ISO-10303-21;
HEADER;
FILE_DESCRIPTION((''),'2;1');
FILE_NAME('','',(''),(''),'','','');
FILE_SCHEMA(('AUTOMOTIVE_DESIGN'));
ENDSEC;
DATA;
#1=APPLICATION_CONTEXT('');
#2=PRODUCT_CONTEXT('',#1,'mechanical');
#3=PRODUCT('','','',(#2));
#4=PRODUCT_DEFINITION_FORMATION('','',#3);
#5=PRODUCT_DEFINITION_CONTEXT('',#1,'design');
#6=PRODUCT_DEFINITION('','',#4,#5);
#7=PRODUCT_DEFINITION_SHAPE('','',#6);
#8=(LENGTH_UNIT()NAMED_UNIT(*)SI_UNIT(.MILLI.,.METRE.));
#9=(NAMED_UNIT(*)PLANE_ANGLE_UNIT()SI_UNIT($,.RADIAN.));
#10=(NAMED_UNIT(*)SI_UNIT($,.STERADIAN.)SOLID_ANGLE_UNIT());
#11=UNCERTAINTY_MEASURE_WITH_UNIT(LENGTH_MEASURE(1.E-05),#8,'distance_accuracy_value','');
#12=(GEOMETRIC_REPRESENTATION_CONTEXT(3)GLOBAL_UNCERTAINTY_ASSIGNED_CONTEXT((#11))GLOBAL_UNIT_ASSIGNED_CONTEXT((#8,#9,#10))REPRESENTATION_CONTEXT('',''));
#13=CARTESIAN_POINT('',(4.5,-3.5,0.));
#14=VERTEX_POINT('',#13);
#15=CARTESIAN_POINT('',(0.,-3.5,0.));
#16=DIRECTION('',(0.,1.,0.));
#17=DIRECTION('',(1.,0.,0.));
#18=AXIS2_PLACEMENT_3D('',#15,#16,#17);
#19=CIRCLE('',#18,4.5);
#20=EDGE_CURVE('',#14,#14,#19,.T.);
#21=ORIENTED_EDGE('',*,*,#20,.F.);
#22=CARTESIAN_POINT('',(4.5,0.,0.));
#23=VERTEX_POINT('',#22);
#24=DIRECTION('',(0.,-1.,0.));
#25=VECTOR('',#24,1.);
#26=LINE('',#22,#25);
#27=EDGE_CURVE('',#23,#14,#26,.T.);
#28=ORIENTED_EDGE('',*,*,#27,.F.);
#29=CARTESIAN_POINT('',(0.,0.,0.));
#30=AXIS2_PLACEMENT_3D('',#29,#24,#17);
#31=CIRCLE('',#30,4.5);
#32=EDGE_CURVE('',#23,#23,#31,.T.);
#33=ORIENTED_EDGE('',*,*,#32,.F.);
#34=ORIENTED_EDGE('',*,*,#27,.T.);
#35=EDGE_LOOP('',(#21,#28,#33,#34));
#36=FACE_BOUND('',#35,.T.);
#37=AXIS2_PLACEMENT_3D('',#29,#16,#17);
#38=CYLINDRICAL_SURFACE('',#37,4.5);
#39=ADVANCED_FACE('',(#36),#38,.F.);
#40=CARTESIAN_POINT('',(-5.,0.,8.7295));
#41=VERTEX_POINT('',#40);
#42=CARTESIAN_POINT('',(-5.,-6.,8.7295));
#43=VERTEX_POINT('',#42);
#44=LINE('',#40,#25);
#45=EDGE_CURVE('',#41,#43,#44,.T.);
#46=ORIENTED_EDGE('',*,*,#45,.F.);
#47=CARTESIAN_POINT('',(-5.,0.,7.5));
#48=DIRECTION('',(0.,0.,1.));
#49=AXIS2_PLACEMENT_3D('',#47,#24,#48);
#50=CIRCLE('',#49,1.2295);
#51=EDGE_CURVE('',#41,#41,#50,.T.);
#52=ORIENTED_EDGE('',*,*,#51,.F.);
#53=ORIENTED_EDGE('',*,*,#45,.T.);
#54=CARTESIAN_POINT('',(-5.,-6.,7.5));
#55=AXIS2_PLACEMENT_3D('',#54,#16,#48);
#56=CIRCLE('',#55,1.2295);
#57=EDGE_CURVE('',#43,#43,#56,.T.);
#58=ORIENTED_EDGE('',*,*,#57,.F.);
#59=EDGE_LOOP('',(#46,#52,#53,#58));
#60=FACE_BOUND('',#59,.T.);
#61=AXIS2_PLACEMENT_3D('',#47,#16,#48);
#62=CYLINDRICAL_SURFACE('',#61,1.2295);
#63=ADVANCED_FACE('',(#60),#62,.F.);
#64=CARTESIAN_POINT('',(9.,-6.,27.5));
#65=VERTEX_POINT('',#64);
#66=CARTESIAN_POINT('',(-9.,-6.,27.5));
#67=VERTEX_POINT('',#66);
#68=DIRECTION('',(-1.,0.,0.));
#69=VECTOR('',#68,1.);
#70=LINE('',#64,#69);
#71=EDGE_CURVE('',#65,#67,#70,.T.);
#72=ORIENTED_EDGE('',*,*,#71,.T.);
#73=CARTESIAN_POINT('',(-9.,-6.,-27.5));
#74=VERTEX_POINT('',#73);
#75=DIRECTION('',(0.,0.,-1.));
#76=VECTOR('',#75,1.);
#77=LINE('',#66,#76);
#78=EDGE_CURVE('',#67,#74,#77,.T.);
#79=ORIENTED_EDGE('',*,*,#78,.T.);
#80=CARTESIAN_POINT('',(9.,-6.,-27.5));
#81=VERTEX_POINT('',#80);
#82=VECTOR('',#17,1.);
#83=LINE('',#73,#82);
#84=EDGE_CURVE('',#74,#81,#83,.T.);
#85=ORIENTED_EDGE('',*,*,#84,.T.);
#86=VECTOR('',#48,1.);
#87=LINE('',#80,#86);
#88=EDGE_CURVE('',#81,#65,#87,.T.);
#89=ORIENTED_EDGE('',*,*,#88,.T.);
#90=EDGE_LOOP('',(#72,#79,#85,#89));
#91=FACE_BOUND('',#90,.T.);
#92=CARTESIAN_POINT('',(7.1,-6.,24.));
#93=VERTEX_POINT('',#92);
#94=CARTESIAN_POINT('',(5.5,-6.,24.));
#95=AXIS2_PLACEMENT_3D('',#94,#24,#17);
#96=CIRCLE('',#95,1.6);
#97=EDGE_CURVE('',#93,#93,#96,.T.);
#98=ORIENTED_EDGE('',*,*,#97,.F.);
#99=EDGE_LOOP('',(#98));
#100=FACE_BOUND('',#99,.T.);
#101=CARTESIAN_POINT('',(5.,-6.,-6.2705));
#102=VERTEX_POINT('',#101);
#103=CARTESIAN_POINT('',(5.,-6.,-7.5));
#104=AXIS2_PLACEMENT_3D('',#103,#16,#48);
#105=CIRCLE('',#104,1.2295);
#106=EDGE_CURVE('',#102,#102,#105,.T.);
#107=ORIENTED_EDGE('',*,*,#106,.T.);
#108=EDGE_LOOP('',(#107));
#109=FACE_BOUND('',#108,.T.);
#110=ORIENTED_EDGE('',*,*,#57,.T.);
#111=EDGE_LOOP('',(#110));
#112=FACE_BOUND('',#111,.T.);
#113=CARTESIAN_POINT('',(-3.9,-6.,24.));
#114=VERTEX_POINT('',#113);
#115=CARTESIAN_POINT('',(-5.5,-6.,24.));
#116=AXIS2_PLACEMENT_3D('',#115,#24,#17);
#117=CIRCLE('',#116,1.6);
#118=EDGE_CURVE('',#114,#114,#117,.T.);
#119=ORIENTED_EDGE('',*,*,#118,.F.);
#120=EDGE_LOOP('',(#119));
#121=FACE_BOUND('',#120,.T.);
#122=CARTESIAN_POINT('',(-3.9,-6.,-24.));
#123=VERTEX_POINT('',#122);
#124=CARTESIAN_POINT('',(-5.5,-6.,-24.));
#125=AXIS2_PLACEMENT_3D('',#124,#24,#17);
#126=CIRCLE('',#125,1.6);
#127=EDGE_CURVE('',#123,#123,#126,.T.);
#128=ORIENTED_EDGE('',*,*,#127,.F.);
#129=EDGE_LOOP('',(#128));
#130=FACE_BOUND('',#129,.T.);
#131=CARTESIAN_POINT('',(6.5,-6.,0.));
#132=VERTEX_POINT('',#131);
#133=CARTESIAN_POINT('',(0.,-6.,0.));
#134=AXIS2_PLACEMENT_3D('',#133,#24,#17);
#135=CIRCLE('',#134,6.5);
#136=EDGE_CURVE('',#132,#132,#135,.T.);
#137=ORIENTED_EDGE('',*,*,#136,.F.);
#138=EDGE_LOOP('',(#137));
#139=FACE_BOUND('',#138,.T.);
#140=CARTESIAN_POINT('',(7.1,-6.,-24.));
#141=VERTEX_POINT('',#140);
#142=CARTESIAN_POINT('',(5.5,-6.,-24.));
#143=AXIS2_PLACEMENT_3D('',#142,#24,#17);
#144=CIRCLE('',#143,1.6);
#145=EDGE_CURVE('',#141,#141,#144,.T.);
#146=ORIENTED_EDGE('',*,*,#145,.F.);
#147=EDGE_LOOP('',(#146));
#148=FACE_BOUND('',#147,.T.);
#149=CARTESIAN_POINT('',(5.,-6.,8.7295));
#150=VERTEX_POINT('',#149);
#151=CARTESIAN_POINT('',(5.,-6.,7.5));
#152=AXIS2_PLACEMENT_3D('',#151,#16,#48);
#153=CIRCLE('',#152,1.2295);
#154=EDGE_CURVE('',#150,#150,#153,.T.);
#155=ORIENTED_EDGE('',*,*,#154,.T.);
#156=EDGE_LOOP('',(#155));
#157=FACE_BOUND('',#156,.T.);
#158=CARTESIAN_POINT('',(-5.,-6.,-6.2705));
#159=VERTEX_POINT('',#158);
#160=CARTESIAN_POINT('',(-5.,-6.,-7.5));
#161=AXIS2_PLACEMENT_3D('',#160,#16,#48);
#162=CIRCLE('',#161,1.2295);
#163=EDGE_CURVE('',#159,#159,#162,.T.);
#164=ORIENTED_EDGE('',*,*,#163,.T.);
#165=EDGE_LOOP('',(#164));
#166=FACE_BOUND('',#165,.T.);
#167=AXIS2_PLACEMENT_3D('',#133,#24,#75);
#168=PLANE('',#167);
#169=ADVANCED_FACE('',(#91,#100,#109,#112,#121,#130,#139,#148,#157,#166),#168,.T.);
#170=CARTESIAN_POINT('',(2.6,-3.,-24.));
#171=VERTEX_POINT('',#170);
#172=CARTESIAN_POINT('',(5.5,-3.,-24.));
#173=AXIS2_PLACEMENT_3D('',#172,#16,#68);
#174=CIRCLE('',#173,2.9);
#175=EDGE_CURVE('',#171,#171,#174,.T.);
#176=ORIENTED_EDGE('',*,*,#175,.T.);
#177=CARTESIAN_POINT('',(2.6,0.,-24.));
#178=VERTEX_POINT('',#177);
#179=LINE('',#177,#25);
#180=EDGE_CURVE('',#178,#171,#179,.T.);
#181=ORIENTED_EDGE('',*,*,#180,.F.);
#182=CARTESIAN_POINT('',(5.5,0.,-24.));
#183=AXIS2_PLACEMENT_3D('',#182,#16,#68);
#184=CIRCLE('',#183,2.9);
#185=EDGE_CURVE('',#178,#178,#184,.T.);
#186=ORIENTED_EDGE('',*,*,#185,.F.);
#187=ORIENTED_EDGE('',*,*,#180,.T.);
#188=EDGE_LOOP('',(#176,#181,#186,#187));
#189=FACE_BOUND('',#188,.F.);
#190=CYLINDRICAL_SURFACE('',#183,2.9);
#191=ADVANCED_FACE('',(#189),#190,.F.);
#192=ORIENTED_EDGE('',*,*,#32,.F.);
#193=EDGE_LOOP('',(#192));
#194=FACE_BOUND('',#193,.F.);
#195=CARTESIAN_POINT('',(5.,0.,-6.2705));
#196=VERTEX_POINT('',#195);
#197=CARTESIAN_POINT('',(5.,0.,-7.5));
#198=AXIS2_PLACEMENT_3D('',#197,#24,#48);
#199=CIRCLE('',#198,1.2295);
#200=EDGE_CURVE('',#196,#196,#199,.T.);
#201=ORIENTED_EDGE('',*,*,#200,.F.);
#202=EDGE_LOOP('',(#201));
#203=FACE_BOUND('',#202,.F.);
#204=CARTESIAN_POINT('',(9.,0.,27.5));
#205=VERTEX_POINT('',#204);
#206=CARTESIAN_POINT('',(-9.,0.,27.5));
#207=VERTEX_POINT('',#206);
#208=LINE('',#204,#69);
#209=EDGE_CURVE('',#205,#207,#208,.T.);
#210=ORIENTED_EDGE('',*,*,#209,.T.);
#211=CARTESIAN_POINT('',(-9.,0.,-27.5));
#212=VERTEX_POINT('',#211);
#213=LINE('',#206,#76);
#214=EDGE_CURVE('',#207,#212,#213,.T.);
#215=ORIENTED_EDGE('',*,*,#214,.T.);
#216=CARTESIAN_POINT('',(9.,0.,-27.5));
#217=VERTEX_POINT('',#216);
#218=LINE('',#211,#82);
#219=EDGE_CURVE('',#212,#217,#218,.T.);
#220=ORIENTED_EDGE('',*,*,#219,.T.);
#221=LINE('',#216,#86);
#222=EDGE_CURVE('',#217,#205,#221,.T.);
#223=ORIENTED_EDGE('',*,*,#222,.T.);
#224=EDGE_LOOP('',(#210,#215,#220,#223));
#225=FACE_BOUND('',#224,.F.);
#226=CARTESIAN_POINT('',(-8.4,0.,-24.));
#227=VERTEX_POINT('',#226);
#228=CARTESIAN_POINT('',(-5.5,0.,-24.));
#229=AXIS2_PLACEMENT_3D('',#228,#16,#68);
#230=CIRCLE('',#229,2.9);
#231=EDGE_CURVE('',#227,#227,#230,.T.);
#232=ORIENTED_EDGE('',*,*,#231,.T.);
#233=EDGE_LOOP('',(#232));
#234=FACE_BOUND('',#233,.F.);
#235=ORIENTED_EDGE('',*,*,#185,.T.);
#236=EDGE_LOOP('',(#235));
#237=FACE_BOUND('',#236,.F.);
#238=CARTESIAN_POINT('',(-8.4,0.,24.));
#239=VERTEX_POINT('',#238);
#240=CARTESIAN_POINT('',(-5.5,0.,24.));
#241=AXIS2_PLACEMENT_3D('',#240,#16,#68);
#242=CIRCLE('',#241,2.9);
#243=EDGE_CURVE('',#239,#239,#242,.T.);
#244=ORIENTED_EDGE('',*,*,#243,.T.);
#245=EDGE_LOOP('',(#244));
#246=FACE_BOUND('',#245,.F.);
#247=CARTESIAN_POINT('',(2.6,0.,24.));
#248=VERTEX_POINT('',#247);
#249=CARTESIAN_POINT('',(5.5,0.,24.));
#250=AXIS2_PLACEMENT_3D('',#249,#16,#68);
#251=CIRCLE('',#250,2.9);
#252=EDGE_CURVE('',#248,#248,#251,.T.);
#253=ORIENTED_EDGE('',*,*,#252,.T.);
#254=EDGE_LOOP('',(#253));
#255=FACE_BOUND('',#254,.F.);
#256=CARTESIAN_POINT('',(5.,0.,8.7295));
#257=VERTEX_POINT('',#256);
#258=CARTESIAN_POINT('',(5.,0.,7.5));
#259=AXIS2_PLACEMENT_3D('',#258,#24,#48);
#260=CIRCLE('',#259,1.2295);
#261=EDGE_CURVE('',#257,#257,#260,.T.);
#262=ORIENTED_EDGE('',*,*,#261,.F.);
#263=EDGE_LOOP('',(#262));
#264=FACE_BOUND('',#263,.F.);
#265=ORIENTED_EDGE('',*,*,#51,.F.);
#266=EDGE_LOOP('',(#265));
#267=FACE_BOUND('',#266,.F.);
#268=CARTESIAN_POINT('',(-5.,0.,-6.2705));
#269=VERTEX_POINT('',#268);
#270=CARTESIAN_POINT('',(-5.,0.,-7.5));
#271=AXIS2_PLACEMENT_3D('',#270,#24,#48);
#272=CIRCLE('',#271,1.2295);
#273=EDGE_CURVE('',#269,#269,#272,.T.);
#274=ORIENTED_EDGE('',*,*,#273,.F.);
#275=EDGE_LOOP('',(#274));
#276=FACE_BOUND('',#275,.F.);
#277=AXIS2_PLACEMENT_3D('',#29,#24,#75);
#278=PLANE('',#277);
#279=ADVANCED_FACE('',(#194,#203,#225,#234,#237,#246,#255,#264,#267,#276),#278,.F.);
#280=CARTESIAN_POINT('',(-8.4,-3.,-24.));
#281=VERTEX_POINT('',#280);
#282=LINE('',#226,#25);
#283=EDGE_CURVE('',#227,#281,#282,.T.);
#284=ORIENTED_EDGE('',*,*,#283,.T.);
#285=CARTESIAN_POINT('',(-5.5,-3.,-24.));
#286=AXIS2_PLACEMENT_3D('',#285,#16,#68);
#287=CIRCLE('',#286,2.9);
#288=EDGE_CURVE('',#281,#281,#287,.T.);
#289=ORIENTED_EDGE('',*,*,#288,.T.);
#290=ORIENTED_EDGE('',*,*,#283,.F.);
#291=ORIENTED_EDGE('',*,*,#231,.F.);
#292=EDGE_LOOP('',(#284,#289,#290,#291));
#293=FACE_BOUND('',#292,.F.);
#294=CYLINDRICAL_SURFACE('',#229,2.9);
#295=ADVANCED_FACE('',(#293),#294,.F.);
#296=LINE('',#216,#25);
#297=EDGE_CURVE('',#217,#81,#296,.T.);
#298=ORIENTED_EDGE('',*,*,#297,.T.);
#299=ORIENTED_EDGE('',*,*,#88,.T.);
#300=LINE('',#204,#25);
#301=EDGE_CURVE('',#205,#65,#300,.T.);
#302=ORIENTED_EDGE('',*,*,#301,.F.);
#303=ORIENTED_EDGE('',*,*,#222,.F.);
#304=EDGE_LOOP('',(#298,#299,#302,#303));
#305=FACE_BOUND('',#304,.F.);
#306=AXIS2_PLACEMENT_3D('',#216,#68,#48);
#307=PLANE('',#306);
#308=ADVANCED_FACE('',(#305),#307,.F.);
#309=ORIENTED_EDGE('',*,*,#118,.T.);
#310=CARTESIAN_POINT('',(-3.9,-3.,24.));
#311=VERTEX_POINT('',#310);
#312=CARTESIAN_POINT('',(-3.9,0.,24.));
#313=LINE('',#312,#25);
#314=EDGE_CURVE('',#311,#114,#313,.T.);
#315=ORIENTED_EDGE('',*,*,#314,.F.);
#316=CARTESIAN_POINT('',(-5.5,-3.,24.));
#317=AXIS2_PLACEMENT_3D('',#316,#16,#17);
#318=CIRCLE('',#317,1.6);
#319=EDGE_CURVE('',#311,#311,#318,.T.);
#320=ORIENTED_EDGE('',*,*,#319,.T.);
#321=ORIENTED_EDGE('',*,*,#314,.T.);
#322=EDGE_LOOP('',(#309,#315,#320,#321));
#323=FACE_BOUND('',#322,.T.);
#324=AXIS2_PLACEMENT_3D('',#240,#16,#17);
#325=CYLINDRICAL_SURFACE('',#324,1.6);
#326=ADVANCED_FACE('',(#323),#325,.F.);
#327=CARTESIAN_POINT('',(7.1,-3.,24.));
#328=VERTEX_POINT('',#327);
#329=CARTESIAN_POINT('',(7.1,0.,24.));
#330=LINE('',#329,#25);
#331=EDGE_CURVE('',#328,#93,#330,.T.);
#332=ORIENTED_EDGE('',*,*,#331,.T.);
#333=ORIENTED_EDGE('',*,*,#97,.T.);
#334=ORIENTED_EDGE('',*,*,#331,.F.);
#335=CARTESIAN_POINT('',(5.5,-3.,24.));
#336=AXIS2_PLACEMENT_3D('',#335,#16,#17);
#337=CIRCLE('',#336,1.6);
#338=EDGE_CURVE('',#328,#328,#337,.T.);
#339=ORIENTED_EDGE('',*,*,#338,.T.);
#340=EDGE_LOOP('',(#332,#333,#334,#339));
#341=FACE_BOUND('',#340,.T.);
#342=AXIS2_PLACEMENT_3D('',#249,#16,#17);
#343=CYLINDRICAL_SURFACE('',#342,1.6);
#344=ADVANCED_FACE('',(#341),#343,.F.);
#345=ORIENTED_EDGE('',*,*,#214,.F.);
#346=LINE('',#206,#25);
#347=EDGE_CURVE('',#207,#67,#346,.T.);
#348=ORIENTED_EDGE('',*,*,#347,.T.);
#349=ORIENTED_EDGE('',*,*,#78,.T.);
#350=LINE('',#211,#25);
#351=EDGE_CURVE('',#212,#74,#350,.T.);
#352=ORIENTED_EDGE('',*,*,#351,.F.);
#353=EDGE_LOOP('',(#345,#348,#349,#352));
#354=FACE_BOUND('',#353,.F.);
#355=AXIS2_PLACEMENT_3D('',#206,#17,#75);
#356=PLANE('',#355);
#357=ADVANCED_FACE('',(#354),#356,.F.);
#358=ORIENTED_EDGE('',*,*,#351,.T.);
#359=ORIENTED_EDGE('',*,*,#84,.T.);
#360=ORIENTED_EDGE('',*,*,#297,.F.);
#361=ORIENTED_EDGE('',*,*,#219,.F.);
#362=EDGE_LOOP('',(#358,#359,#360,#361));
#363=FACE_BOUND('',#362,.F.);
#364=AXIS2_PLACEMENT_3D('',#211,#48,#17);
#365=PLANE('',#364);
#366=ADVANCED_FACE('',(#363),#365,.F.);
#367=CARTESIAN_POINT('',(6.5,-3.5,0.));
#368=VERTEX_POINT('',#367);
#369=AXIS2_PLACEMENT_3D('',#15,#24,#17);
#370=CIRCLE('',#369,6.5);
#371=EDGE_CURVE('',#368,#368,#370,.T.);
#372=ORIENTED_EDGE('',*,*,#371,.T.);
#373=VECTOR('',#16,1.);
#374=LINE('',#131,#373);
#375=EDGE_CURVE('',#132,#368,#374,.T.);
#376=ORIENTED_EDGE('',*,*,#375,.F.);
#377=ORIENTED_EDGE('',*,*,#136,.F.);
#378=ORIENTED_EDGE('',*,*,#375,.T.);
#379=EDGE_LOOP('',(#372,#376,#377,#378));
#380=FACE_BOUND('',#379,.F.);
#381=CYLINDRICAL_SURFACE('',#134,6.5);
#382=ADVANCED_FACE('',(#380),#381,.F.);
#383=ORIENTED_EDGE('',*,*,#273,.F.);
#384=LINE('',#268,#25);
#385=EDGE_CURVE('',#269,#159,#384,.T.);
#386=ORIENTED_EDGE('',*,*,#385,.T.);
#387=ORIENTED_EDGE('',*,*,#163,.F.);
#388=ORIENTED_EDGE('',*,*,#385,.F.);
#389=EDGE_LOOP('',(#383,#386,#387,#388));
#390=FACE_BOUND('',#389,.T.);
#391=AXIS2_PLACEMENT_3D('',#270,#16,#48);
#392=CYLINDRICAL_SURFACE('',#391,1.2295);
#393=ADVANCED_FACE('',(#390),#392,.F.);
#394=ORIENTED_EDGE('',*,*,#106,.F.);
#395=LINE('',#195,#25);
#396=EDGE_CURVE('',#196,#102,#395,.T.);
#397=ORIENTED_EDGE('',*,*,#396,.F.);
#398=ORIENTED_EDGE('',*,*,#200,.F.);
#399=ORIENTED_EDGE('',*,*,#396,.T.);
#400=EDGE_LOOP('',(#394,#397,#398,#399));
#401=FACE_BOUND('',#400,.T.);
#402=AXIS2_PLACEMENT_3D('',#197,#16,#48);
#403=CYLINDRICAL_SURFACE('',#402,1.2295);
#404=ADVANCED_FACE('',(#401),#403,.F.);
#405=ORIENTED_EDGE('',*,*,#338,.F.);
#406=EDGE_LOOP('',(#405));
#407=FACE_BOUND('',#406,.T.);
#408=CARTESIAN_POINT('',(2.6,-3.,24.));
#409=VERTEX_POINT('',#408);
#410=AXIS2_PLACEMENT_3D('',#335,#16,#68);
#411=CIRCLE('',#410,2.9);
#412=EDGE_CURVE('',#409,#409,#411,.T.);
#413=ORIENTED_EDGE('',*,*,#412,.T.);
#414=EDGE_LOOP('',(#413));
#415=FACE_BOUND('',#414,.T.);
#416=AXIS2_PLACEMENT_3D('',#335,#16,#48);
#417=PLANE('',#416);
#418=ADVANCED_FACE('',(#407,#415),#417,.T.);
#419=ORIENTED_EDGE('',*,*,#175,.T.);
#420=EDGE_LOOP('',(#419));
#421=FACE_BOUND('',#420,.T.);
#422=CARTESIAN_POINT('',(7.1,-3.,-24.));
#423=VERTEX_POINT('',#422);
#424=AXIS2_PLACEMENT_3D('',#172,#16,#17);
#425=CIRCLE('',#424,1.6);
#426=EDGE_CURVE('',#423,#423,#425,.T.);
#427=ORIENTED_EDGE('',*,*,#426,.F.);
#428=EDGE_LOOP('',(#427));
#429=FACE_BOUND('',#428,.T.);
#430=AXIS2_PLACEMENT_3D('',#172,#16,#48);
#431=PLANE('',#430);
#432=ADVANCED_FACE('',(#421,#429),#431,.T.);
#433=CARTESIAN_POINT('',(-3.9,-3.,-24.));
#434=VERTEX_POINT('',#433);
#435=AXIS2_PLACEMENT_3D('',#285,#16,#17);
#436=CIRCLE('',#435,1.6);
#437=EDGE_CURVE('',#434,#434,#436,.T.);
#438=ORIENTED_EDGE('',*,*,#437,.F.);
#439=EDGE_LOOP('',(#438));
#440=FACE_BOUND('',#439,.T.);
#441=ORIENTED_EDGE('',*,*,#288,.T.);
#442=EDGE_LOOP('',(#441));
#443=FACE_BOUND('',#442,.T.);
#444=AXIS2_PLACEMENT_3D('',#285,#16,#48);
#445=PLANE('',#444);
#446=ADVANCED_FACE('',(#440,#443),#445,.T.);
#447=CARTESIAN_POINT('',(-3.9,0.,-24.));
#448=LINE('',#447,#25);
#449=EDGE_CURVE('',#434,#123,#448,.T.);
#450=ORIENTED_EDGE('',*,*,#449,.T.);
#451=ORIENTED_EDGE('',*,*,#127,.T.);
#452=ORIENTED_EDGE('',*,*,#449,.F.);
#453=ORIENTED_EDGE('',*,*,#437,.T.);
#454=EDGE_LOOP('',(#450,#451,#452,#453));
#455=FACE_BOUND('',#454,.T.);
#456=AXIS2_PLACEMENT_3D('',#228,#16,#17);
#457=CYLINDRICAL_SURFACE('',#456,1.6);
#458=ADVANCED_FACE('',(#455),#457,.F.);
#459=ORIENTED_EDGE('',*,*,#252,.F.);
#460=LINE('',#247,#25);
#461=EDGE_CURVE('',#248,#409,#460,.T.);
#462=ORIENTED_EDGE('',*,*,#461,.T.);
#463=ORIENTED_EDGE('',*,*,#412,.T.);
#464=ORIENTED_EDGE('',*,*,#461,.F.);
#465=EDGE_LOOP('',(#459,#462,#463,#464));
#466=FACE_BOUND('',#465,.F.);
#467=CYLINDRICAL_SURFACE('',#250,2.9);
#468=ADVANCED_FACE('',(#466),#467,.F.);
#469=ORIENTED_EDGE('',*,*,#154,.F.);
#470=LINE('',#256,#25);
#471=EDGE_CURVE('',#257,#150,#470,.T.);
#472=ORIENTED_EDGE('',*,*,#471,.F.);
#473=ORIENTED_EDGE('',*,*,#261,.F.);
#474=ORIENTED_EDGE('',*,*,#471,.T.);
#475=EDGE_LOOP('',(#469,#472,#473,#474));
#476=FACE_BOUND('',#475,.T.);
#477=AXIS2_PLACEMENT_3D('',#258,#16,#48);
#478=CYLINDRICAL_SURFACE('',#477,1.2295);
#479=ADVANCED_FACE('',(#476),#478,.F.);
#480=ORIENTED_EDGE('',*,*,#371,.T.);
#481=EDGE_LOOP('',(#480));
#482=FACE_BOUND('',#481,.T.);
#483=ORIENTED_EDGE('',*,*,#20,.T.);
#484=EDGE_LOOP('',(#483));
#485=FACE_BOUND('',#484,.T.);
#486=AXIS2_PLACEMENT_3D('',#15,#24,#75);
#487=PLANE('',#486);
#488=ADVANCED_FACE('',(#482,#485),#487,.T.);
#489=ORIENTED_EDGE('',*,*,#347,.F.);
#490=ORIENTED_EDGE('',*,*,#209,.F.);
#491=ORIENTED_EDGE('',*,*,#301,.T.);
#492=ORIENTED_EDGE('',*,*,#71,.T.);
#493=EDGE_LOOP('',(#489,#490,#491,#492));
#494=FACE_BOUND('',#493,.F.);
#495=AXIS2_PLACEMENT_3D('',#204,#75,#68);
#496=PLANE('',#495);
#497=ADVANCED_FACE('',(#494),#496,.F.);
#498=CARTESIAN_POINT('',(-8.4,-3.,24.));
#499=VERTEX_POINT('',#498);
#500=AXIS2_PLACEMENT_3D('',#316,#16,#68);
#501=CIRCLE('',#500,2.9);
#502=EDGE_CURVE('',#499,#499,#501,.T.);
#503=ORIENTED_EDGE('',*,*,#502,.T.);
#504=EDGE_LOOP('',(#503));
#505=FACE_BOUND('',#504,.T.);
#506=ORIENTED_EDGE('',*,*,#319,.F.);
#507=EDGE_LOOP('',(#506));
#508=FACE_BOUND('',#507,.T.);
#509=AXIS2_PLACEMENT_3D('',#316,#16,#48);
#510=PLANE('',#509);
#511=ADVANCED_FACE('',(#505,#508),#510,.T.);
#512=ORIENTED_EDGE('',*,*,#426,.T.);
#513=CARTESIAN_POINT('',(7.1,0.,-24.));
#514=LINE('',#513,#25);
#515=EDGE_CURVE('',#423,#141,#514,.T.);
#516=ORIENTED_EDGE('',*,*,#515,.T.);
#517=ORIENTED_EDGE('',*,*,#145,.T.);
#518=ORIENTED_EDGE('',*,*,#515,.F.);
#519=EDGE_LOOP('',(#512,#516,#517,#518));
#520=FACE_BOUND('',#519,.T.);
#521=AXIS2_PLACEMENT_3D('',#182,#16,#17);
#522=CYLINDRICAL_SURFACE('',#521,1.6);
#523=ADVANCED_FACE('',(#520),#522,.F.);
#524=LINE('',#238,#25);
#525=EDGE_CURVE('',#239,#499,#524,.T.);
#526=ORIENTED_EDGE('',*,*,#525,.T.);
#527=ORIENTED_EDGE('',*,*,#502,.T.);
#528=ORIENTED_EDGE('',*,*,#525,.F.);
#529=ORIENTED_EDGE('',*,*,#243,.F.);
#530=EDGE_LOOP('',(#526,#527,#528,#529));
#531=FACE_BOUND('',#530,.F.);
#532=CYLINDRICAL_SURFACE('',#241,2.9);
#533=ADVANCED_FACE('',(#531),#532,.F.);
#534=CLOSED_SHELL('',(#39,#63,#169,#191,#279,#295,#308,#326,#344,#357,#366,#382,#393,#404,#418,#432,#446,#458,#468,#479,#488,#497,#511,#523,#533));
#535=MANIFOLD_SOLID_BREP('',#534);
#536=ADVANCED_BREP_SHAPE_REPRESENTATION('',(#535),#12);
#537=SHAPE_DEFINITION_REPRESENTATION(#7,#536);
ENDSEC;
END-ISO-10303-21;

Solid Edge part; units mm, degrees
sketch "Sketch1" plane through (0, 0, 0) normal (0, -1, 0) x (1, 0, 0)
  circle A0 centre (0, 0) radius 4.5
  circle A1 centre (-5.5, 24) radius 1.6
  circle A2 centre (5.5, 24) radius 1.6
  circle A3 centre (-5.5, -24) radius 1.6
  circle A4 centre (5.5, -24) radius 1.6
  line L0 (-9, -27.5) -> (9, -27.5)
  line L1 (9, -27.5) -> (9, 27.5)
  line L2 (9, 27.5) -> (-9, 27.5)
  line L3 (-9, 27.5) -> (-9, -27.5)
  dimension "D1" = 55
  dimension "D2" = 18
  dimension "D3" = 48
  dimension "D4" = 24
  dimension "D5" = 11
  dimension "D6" = 5.5
  dimension "D7" = 48
  dimension "D8" = 11
extrude "Protrusion1" add sketch "Sketch1" along normal blind 6
sketch "Sketch2" plane through (0, -6, 0) normal (0, -1, 0) x (1, 0, 0)
  circle A0 centre (0, 0) radius 6.5
extrude "ExtrudedCutout_1" cut sketch "Sketch2" against normal blind 2.5
hole "Hole_5" at (-5, 0, -7.5) direction (0, -1, 0) diameter 2.459 end up to next
hole "Hole1" at (-5, 0, 7.5) direction (0, -1, 0) diameter 2.459 end up to next
hole "Hole2" at (5, 0, 7.5) direction (0, -1, 0) diameter 2.459 end up to next
hole "Hole3" at (5, 0, -7.5) direction (0, -1, 0) diameter 2.459 end up to next
sketch "Sketch3" plane through (0, 0, 0) normal (0, 1, 0) x (-1, 0, 0)
  circle A0 centre (-5.5, -24) radius 2.9
  circle A1 centre (5.5, -24) radius 2.9
  circle A2 centre (5.5, 24) radius 2.9
  circle A3 centre (-5.5, 24) radius 2.9
extrude "ExtrudedCutout_2" cut sketch "Sketch3" against normal blind 3
